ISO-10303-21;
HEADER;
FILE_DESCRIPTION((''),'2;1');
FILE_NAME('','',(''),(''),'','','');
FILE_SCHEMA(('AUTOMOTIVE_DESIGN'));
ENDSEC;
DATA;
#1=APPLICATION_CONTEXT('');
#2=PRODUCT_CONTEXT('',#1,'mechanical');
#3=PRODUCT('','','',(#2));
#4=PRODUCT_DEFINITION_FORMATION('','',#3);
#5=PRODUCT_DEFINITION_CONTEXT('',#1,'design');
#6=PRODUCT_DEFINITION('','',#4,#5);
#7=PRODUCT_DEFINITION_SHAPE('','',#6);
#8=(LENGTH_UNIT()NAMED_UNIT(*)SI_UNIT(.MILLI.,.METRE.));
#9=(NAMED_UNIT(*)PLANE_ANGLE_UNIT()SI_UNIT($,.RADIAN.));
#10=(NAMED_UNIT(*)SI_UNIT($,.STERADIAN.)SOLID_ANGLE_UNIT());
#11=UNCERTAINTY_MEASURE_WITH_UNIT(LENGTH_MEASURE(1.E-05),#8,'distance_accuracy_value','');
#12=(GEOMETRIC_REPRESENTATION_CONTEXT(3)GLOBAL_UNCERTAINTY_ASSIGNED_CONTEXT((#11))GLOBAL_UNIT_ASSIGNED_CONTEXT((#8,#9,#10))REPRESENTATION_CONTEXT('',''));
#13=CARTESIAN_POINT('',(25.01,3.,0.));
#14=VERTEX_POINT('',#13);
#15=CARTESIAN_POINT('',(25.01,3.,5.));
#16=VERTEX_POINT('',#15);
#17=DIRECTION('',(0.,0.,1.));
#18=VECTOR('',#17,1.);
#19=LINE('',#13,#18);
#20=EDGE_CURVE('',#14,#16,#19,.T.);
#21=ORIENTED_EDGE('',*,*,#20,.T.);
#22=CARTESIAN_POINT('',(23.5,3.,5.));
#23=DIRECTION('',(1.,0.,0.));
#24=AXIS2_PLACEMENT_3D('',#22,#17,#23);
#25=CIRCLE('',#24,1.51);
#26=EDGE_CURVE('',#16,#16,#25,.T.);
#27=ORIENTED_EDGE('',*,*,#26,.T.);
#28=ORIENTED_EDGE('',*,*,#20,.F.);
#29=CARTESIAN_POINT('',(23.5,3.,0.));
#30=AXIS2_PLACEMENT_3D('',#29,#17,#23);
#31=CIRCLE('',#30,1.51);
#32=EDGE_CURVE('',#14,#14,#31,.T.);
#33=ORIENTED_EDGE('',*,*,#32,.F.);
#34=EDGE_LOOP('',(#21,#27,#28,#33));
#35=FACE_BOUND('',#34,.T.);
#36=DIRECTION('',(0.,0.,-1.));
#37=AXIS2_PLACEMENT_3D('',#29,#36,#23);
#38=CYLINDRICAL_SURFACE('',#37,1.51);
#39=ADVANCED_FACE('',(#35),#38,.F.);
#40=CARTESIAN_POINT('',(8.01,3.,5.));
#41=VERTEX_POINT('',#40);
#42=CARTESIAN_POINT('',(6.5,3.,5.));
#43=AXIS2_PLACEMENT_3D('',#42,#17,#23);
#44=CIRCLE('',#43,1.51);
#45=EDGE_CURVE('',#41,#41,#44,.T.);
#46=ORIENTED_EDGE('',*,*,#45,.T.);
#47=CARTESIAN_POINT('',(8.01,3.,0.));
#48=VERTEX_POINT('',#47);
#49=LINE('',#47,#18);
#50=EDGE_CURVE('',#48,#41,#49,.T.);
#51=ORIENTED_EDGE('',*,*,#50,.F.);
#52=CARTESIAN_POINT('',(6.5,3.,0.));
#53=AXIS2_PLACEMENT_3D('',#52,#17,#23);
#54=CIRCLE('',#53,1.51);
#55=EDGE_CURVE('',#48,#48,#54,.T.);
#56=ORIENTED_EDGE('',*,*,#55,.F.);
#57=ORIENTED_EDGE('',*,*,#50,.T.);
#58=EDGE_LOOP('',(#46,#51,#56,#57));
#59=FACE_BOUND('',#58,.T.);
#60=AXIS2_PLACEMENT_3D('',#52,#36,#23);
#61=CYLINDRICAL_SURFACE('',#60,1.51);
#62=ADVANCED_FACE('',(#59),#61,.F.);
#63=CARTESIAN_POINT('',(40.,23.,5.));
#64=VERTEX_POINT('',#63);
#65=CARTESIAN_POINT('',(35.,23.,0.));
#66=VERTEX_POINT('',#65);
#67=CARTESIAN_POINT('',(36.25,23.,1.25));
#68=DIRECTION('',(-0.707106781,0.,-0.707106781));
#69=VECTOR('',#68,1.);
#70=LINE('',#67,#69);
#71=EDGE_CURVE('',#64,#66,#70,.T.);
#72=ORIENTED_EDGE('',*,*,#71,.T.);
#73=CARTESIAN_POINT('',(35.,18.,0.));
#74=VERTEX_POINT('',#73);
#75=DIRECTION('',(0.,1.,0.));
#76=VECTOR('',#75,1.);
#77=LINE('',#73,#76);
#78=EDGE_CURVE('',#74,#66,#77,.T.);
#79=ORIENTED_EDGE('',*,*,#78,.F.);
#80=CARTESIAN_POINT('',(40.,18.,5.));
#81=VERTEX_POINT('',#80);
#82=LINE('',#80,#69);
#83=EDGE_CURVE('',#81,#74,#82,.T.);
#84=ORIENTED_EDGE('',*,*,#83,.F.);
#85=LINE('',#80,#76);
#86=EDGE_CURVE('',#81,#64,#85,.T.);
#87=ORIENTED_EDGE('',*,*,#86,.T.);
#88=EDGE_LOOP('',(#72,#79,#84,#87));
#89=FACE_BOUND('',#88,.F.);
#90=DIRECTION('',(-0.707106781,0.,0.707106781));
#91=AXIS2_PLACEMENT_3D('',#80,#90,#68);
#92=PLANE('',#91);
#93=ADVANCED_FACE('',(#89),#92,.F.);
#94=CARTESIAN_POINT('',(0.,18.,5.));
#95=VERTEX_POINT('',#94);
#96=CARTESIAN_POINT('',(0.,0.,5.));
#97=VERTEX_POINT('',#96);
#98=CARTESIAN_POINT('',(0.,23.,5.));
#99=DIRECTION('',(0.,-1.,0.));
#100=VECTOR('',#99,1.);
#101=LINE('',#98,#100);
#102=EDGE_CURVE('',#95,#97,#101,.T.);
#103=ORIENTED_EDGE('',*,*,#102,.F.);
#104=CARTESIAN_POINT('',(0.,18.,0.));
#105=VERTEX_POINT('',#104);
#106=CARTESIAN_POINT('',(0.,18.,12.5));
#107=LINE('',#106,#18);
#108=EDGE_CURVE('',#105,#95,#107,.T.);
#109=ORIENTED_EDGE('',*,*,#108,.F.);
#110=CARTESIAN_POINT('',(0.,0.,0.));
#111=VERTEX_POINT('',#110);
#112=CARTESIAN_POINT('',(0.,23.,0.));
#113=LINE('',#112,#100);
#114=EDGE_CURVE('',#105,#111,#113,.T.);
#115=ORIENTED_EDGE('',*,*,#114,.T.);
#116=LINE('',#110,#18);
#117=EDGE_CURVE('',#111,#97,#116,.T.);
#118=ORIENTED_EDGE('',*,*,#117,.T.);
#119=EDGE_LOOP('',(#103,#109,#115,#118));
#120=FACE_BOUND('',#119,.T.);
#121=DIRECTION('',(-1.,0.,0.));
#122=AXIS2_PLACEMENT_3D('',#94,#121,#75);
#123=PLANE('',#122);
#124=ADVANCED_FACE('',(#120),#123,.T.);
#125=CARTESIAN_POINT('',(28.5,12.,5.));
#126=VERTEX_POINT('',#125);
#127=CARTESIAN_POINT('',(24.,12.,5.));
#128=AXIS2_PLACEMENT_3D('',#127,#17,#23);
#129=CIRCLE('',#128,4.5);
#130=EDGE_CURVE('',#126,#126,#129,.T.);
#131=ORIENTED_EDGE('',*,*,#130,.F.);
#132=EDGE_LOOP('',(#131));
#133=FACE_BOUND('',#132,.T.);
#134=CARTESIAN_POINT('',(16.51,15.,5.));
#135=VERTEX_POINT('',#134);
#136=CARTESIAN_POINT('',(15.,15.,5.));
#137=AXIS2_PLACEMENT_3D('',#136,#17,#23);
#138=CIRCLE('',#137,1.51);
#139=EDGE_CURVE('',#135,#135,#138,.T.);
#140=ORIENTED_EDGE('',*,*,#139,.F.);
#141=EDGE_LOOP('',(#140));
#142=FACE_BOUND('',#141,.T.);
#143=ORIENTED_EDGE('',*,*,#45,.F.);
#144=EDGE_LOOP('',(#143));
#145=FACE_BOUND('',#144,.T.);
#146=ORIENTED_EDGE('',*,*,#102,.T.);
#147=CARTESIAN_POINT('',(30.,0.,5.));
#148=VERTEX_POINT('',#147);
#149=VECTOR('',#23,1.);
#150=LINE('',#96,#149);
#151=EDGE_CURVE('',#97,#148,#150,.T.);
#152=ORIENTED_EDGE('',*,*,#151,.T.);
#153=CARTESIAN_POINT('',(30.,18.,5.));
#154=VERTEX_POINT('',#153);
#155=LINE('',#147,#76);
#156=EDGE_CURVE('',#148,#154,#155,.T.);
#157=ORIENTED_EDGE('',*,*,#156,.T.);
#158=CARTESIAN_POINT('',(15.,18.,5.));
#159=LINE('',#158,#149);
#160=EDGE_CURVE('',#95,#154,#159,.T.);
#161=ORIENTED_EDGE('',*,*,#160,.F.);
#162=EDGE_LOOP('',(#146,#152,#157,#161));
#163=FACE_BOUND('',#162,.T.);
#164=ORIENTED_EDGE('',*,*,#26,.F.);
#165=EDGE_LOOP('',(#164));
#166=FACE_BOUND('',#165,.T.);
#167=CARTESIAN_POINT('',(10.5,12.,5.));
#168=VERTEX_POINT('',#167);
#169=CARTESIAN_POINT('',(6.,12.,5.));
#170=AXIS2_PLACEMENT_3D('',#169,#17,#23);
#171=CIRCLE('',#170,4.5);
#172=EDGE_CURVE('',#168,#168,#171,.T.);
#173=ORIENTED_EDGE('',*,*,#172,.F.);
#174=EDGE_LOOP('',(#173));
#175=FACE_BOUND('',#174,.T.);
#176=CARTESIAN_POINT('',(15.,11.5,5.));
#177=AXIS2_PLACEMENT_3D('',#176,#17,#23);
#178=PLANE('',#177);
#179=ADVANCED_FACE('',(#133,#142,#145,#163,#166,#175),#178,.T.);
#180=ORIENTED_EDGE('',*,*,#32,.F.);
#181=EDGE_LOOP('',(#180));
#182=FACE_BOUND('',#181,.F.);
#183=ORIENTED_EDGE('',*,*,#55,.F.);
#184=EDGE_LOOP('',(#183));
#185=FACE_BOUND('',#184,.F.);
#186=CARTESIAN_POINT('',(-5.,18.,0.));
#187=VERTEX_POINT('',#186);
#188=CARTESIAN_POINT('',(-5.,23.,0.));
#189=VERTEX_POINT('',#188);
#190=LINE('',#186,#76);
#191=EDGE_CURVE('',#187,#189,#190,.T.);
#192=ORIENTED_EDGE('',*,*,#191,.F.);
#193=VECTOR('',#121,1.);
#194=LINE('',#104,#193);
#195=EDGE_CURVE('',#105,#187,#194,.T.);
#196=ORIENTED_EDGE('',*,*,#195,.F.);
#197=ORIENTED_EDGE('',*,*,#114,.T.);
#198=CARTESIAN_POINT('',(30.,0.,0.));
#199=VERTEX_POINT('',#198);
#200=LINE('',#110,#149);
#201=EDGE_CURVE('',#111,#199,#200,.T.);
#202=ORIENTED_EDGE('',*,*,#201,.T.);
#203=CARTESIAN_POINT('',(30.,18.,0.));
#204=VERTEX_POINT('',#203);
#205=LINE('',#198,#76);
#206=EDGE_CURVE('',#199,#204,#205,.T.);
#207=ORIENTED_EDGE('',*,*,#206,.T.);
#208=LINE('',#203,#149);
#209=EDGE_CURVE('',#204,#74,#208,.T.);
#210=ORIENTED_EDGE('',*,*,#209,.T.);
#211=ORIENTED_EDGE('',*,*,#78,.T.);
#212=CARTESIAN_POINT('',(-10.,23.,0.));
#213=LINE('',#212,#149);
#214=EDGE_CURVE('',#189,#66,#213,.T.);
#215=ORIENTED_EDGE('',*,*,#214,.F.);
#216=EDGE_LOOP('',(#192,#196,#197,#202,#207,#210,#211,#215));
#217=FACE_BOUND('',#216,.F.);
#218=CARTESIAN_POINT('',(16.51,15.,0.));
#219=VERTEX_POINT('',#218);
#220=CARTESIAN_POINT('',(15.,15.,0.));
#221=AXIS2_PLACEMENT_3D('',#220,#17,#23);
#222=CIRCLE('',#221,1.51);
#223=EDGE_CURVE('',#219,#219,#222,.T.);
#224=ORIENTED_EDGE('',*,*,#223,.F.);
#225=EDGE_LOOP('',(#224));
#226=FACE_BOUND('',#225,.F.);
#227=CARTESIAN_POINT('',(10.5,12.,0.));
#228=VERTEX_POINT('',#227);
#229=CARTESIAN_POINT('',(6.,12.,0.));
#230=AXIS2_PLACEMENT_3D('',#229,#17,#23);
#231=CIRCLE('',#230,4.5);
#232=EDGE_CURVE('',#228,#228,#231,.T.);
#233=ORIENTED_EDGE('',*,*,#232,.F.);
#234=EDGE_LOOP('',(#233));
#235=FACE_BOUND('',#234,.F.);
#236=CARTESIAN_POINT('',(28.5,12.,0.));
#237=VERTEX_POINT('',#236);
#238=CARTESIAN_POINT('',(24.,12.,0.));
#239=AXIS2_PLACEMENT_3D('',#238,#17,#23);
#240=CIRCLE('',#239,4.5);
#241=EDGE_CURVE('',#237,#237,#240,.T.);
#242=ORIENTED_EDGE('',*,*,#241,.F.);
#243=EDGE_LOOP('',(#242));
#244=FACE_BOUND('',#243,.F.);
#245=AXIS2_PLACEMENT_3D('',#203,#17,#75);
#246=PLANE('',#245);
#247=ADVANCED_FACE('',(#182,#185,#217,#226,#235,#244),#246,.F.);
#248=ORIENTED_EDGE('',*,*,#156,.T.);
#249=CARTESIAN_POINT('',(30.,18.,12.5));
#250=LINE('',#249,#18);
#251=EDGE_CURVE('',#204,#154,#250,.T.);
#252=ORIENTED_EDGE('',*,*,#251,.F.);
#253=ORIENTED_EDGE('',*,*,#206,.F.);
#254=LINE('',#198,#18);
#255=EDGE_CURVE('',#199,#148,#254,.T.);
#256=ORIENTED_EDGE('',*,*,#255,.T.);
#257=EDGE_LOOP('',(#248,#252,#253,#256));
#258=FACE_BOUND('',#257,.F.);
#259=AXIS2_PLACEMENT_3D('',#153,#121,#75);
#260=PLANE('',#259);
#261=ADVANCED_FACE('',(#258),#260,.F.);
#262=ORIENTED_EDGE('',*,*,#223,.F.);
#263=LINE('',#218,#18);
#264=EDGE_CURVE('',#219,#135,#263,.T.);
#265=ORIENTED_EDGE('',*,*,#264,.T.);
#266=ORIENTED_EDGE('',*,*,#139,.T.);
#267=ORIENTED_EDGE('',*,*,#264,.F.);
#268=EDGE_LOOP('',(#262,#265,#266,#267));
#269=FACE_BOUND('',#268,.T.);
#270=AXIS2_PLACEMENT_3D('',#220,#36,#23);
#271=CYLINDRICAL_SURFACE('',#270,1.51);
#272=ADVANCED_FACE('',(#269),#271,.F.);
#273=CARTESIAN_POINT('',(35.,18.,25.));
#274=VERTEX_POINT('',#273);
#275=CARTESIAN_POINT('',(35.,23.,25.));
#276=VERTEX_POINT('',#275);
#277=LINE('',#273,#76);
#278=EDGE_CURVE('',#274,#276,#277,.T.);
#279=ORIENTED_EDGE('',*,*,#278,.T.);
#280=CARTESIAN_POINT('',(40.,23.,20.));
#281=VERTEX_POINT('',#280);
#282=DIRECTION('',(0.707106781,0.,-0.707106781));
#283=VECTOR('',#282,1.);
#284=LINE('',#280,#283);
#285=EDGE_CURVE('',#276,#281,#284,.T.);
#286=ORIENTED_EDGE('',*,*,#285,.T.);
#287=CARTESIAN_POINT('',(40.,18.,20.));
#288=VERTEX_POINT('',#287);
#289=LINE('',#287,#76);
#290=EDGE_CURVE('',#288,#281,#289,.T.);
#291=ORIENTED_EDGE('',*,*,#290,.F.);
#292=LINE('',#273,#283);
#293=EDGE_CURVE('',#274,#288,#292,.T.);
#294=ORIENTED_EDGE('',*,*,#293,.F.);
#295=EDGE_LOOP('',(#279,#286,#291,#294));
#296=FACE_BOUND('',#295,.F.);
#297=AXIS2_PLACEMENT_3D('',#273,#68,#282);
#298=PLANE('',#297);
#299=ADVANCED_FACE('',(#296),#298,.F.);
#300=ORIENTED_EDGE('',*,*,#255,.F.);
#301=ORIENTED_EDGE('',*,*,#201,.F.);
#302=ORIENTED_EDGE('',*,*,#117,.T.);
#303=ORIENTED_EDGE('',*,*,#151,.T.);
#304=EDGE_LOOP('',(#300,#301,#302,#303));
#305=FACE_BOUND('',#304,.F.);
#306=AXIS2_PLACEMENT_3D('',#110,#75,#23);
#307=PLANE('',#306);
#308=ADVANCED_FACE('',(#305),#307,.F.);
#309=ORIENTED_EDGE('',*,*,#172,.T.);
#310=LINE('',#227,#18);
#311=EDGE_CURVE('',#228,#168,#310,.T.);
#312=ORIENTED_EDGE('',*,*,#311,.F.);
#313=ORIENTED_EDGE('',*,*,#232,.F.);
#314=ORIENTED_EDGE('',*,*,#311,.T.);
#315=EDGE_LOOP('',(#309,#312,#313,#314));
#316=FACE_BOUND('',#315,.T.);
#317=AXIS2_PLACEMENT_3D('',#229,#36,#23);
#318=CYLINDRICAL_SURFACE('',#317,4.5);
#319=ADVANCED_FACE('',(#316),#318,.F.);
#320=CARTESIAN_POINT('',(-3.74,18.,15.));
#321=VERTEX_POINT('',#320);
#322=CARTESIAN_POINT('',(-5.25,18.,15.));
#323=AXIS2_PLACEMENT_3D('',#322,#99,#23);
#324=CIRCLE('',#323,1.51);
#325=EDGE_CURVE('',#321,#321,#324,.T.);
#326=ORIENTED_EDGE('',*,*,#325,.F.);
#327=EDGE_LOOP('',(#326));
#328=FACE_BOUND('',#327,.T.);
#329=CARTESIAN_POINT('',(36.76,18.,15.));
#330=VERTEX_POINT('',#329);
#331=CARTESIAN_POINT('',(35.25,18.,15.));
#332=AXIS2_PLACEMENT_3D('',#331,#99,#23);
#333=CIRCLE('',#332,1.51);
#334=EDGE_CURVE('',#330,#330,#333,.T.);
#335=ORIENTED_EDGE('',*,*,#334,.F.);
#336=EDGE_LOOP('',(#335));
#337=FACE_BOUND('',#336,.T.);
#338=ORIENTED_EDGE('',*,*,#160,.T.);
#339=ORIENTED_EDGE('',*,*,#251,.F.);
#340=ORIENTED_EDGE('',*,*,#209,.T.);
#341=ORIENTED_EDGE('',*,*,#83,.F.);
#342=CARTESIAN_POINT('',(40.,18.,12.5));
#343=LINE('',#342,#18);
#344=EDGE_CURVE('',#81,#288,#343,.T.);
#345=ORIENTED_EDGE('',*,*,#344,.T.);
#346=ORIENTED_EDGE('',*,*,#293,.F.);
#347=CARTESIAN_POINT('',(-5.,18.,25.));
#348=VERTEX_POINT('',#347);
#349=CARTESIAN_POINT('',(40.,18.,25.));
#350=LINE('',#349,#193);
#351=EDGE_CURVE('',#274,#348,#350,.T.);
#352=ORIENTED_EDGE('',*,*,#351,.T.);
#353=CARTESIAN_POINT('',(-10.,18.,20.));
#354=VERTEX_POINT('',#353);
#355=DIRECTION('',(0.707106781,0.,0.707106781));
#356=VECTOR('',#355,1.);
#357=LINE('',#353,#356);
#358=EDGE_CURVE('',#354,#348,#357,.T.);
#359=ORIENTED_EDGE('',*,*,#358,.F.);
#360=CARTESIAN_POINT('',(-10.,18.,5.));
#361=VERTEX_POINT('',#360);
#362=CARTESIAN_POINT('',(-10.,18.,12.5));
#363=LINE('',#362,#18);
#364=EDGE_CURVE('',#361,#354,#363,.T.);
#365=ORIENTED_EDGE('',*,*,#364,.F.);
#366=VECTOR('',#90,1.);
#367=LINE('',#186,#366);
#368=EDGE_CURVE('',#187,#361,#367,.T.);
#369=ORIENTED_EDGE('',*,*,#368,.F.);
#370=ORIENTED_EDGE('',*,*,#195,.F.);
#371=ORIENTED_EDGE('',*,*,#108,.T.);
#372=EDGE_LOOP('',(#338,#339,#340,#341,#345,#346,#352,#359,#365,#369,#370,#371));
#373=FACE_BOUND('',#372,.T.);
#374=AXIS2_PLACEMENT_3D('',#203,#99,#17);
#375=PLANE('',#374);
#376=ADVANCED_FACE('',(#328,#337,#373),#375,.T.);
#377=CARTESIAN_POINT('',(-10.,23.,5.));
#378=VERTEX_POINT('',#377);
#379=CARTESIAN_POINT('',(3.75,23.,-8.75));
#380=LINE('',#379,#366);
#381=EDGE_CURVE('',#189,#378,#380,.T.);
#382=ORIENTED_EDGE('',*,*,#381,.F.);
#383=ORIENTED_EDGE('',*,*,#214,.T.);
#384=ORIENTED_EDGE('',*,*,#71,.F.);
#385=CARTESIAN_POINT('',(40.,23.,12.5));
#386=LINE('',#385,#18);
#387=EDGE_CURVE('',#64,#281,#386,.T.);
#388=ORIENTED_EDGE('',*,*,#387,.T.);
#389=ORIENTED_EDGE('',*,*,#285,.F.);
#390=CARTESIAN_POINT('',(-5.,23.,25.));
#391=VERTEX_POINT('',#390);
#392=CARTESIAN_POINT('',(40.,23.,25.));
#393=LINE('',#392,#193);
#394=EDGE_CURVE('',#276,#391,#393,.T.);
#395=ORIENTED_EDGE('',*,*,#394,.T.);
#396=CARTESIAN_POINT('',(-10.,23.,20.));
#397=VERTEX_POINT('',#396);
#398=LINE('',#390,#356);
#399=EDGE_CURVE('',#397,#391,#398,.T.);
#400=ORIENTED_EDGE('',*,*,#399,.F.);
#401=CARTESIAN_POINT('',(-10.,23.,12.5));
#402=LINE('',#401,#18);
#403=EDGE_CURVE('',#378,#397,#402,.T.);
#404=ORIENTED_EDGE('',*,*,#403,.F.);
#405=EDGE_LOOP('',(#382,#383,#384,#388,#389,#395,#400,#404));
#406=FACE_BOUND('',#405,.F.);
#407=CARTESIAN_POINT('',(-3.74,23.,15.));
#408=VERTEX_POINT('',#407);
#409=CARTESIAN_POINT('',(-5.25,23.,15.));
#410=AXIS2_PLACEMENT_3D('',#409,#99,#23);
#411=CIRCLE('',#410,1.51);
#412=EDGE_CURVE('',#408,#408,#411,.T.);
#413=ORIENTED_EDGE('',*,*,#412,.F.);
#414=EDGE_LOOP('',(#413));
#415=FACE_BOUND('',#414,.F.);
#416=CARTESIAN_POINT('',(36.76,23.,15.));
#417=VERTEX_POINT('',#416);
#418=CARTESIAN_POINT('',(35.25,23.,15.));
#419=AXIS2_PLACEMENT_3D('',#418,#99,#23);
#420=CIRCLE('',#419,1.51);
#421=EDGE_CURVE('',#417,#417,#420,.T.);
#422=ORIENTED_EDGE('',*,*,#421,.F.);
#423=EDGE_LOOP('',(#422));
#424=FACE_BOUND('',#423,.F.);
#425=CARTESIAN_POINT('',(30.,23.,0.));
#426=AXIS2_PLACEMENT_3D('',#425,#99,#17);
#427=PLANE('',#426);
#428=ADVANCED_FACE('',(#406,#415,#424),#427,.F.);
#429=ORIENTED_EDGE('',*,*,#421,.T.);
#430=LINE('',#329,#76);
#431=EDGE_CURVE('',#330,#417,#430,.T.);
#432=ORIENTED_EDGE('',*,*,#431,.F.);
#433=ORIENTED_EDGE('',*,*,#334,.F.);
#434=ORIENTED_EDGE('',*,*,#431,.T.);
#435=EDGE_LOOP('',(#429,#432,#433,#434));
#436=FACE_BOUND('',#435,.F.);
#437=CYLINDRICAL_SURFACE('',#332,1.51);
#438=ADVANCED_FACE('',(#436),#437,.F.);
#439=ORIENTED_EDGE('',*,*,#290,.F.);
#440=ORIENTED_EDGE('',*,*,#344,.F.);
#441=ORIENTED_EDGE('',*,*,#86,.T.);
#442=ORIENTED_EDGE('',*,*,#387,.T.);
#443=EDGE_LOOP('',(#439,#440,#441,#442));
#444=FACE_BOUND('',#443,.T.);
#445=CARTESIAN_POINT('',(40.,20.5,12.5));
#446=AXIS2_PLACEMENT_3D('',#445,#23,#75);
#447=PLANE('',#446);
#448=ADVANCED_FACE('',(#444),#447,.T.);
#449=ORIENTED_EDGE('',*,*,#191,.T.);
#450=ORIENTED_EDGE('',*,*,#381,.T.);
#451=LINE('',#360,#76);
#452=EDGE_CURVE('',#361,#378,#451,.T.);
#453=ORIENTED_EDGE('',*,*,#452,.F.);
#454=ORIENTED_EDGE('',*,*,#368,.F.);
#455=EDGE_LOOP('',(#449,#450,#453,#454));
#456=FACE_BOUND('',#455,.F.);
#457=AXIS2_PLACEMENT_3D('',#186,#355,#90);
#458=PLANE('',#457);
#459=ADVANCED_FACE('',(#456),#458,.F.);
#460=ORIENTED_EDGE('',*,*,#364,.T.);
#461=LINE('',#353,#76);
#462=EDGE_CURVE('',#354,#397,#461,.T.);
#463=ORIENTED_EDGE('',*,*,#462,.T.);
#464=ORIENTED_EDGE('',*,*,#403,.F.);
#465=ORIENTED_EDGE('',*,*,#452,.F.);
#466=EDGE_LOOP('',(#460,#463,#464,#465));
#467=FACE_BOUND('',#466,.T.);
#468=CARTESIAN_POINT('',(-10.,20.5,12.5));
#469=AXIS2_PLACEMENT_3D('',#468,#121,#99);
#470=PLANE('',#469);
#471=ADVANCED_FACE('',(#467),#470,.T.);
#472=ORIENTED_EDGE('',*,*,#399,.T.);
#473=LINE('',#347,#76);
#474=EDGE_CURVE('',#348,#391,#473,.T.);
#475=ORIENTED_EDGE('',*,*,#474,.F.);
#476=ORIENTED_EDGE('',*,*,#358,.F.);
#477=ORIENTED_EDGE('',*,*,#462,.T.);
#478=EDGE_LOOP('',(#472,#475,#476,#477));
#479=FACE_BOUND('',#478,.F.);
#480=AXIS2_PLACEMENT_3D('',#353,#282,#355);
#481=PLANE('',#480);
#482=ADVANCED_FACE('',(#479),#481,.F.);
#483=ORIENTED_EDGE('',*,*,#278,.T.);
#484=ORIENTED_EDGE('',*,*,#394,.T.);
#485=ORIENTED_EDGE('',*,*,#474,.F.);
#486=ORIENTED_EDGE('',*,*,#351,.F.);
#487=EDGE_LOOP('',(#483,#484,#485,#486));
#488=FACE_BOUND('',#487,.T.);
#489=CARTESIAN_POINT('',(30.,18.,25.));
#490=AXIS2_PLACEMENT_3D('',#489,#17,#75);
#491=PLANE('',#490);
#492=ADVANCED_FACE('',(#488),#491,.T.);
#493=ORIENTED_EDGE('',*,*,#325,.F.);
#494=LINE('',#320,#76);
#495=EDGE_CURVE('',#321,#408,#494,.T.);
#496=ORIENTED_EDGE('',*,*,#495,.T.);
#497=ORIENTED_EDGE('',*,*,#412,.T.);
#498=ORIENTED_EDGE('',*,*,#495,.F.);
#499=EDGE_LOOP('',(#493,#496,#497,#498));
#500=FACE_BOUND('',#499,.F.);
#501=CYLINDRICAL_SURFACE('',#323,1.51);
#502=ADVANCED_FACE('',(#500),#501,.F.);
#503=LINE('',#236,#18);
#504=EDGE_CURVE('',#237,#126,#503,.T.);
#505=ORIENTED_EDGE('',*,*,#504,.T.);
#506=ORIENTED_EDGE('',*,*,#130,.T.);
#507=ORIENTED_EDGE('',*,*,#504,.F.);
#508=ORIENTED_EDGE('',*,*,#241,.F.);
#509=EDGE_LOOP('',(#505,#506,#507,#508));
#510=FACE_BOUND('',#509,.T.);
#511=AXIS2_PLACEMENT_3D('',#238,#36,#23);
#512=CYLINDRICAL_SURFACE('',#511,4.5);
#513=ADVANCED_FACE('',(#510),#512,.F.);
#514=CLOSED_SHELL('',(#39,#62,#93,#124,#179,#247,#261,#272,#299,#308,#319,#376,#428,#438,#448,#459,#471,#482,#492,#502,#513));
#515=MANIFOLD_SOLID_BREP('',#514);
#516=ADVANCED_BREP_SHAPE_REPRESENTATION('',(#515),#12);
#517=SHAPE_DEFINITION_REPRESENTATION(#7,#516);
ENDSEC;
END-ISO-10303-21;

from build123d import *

# Parameters (mm, degrees)
F0_R      = 1.51
F0_R_2    = 4.5
F1_DEPTH  = 5
F2_W      = 30
F2_H      = 5
F3_DEPTH  = 20
F4_W      = 5
F4_H      = 25
F5_DEPTH  = 10
F6_W      = 5
F6_H      = 25
F7_DEPTH  = 10
F9_DEPTH  = 5.001
F10_R     = 1.51
F11_DEPTH = 5.001


with BuildPart() as f1:
    # F0 (on Top) → F1 (new body)
    with BuildSketch(Plane.XY):
        Polygon((0, 18), (0, 0), (30, 0), (30, 18), (30, 23), (29.759806, 23), (0, 23), align=None)
        with Locations((6.5, 3)):
            Circle(F0_R, mode=Mode.SUBTRACT)
        with Locations((23.5, 3)):
            Circle(F0_R, mode=Mode.SUBTRACT)
        with Locations((6, 12)):
            Circle(F0_R_2, mode=Mode.SUBTRACT)
        with Locations((15, 15)):
            Circle(F0_R, mode=Mode.SUBTRACT)
        with Locations((24, 12)):
            Circle(F0_R_2, mode=Mode.SUBTRACT)
    extrude(amount=F1_DEPTH)

    # F2 (on face) → F3 (join)
    with BuildSketch(Plane.XY.offset(5)):
        with Locations((15, 20.5)):
            Rectangle(F2_W, F2_H)
    extrude(amount=F3_DEPTH)

    # F4 (on face) → F5 (join)
    with BuildSketch(Plane(origin=(0, 0, 0), x_dir=(0, -1, 0), z_dir=(-1, 0, 0))):
        with Locations((-20.5, 12.5)):
            Rectangle(F4_W, F4_H)
    extrude(amount=F5_DEPTH)

    # F6 (on face) → F7 (join)
    with BuildSketch(Plane.YZ.offset(30)):
        with Locations((20.5, 12.5)):
            Rectangle(F6_W, F6_H)
    extrude(amount=F7_DEPTH)

    # F8 (on face) → F9 (cut, through all)
    with BuildSketch(Plane.XZ.offset(-18)):
        Polygon((-5, 25), (-10, 25), (-10, 20), align=None)
        Polygon((-5, 0), (-10, 5), (-10, 0), align=None)
        Polygon((40, 5), (35, 0), (40, 0), align=None)
        Polygon((40, 25), (35, 25), (40, 20), align=None)
    extrude(amount=-F9_DEPTH, mode=Mode.SUBTRACT)

    # F10 (on face) → F11 (cut, through all)
    with BuildSketch(Plane.XZ.offset(-18)):
        with Locations((-5.25, 15)):
            Circle(F10_R)
        with Locations((35.25, 15)):
            Circle(F10_R)
    extrude(amount=-F11_DEPTH, mode=Mode.SUBTRACT)


solid = f1.part
